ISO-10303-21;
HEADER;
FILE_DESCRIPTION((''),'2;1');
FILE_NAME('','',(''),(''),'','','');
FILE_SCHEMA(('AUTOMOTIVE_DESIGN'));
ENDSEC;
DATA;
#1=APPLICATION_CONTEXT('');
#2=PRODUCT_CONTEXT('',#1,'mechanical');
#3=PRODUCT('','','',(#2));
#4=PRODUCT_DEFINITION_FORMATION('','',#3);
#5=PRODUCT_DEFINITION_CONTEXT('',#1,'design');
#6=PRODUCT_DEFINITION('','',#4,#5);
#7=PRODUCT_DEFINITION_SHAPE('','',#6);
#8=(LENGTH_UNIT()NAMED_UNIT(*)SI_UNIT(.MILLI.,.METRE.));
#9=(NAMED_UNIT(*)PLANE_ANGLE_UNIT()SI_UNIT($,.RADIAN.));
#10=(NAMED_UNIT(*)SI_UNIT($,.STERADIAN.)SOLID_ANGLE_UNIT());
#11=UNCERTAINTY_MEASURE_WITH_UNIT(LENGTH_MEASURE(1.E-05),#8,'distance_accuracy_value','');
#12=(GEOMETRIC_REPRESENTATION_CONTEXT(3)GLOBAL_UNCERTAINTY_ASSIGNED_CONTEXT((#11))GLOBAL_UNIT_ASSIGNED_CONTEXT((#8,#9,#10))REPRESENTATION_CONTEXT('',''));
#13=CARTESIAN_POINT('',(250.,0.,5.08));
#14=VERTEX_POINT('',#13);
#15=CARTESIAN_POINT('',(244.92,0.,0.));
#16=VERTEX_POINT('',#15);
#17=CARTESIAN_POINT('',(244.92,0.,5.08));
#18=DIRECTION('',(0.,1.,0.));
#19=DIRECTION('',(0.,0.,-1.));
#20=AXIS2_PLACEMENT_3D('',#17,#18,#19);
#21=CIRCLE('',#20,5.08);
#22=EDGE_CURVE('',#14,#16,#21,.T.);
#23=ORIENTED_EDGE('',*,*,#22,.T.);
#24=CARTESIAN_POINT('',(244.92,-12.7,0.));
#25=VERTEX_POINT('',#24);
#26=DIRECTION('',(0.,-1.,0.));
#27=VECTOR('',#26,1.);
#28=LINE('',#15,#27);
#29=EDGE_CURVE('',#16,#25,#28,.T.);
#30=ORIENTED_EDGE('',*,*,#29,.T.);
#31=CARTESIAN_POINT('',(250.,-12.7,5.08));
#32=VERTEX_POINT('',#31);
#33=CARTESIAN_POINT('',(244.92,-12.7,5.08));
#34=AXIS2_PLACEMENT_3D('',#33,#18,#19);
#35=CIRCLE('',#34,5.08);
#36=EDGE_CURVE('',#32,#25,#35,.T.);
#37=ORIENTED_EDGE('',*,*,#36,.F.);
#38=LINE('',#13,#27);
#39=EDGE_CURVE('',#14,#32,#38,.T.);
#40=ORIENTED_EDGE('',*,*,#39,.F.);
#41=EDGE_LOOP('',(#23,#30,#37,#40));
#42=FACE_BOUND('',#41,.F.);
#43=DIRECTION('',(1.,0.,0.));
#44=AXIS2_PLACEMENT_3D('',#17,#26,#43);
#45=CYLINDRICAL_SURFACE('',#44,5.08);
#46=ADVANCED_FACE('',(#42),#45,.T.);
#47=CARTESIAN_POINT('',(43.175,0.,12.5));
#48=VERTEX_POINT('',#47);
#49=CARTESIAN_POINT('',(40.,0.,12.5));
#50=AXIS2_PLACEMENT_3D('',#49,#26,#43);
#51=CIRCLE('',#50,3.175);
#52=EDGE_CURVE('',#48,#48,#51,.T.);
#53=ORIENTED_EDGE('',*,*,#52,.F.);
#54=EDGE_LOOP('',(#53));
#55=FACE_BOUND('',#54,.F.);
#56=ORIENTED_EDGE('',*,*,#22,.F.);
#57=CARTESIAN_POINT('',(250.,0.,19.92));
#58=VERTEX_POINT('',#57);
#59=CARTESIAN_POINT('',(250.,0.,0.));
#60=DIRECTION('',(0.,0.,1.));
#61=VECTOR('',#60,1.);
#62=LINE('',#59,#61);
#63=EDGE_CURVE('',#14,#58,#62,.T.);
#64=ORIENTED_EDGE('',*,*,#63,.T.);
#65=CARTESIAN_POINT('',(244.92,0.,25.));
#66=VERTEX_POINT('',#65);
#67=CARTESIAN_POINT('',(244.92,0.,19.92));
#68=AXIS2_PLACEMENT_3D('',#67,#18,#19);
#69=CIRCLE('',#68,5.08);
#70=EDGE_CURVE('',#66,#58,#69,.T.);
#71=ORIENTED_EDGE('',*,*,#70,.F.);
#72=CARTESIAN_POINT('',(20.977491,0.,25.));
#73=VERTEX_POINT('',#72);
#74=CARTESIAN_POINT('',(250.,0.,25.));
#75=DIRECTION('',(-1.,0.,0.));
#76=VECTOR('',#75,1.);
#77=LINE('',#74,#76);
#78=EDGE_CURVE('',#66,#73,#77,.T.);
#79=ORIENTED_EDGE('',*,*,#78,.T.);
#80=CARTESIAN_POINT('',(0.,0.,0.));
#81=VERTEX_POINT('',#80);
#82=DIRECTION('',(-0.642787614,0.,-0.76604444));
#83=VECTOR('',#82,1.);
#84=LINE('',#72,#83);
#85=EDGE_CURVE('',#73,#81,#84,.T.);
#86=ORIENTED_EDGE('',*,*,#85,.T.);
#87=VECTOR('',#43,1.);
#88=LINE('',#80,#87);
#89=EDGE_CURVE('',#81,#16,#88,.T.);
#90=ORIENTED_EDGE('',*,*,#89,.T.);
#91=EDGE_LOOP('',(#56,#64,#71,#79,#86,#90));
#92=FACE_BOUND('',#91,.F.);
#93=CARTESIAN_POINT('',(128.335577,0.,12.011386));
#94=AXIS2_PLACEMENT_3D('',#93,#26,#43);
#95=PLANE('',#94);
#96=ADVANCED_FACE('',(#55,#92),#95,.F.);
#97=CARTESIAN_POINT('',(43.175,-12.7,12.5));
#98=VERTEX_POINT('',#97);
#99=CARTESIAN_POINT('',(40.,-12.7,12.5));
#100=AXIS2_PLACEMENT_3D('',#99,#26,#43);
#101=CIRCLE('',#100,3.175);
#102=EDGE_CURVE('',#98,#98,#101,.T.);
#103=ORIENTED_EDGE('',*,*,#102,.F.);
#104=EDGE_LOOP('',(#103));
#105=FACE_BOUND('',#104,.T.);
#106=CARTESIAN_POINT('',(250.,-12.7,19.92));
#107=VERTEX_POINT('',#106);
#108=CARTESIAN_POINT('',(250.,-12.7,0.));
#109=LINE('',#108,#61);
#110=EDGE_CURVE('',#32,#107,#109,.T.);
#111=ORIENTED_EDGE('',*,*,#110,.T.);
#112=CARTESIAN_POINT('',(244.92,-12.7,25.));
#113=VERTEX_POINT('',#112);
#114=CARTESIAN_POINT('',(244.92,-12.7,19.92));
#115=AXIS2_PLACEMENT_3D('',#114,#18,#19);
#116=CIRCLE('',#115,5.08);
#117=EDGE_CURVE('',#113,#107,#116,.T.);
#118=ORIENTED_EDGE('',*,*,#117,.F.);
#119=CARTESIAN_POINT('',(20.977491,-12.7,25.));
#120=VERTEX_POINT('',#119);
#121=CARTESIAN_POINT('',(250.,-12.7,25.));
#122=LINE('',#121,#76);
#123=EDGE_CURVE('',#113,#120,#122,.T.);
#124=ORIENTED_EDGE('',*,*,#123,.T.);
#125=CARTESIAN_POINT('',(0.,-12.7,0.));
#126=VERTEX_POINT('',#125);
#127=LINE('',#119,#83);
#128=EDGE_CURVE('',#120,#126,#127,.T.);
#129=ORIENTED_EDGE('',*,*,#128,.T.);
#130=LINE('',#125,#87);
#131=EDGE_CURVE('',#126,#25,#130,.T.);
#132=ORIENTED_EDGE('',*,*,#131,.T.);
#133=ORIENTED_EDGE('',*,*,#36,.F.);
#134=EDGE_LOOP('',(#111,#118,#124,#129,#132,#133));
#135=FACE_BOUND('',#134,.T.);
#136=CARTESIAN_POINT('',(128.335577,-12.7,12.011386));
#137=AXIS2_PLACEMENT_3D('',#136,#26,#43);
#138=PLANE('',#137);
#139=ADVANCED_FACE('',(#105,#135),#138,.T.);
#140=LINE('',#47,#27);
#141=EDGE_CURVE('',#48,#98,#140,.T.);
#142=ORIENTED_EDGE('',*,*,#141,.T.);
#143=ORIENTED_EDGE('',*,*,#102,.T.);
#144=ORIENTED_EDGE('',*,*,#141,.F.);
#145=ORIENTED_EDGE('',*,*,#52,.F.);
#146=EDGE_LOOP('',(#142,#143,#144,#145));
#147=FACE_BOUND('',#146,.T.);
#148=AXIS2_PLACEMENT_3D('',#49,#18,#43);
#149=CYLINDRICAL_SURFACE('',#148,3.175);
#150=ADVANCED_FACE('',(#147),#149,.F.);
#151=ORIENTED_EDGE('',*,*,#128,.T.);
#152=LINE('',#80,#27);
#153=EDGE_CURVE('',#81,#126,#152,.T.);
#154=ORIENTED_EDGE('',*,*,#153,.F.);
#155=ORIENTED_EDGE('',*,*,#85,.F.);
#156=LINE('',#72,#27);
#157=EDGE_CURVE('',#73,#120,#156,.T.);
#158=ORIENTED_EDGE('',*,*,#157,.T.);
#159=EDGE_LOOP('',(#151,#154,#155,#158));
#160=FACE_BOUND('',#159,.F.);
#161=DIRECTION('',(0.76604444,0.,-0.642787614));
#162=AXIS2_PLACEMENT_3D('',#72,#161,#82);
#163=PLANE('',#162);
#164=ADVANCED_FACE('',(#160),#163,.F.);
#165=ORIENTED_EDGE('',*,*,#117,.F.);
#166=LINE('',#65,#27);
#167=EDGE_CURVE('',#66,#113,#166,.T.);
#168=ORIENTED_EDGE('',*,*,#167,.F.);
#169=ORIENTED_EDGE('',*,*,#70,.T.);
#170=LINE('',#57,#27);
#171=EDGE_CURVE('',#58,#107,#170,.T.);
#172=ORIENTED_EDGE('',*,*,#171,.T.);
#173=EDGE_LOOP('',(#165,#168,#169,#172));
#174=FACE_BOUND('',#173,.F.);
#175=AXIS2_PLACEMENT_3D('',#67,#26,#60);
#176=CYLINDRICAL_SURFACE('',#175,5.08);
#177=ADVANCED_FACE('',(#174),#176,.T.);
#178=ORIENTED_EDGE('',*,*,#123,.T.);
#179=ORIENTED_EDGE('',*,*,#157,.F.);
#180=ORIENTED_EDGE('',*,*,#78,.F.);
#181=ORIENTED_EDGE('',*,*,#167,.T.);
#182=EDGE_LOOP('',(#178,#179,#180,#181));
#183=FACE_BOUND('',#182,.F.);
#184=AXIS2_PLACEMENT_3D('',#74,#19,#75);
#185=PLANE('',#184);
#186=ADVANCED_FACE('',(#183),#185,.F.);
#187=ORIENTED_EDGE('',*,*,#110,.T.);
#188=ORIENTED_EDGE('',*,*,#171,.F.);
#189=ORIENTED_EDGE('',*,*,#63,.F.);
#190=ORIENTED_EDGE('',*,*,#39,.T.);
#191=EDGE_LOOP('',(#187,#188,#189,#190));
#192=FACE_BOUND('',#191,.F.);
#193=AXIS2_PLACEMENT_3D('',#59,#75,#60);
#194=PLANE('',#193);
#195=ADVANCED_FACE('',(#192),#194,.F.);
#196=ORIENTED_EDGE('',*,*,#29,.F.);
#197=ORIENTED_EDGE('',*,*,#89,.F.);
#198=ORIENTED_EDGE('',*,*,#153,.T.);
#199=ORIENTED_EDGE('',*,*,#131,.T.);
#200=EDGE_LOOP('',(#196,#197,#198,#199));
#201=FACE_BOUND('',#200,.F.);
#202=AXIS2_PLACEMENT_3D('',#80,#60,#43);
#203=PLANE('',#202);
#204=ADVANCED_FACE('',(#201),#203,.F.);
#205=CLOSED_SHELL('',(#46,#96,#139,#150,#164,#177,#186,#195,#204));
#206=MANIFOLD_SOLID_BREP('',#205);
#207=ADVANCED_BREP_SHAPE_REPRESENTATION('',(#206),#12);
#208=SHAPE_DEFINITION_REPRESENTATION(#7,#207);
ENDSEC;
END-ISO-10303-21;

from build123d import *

# Parameters (mm, degrees)
F0_R     = 3.175
F1_DEPTH = 12.7
F2_R     = 5.08
F3_R     = 5.08


with BuildPart() as f1:
    # F0 (on Front) → F1 (new body)
    with BuildSketch(Plane.XZ):
        Polygon((20.977491, 25), (0, 0), (250, 0), (250, 25), align=None)
        with Locations((40, 12.5)):
            Circle(F0_R, mode=Mode.SUBTRACT)
    extrude(amount=F1_DEPTH)

    # F2
    f2_edges = [f1.edges().sort_by_distance(p)[0] for p in [
        (250, -6.35, 25),
    ]]
    fillet(f2_edges, radius=F2_R)

    # F3
    f3_edges = [f1.edges().sort_by_distance(p)[0] for p in [
        (250, -6.35, 0),
    ]]
    fillet(f3_edges, radius=F3_R)


solid = f1.part
